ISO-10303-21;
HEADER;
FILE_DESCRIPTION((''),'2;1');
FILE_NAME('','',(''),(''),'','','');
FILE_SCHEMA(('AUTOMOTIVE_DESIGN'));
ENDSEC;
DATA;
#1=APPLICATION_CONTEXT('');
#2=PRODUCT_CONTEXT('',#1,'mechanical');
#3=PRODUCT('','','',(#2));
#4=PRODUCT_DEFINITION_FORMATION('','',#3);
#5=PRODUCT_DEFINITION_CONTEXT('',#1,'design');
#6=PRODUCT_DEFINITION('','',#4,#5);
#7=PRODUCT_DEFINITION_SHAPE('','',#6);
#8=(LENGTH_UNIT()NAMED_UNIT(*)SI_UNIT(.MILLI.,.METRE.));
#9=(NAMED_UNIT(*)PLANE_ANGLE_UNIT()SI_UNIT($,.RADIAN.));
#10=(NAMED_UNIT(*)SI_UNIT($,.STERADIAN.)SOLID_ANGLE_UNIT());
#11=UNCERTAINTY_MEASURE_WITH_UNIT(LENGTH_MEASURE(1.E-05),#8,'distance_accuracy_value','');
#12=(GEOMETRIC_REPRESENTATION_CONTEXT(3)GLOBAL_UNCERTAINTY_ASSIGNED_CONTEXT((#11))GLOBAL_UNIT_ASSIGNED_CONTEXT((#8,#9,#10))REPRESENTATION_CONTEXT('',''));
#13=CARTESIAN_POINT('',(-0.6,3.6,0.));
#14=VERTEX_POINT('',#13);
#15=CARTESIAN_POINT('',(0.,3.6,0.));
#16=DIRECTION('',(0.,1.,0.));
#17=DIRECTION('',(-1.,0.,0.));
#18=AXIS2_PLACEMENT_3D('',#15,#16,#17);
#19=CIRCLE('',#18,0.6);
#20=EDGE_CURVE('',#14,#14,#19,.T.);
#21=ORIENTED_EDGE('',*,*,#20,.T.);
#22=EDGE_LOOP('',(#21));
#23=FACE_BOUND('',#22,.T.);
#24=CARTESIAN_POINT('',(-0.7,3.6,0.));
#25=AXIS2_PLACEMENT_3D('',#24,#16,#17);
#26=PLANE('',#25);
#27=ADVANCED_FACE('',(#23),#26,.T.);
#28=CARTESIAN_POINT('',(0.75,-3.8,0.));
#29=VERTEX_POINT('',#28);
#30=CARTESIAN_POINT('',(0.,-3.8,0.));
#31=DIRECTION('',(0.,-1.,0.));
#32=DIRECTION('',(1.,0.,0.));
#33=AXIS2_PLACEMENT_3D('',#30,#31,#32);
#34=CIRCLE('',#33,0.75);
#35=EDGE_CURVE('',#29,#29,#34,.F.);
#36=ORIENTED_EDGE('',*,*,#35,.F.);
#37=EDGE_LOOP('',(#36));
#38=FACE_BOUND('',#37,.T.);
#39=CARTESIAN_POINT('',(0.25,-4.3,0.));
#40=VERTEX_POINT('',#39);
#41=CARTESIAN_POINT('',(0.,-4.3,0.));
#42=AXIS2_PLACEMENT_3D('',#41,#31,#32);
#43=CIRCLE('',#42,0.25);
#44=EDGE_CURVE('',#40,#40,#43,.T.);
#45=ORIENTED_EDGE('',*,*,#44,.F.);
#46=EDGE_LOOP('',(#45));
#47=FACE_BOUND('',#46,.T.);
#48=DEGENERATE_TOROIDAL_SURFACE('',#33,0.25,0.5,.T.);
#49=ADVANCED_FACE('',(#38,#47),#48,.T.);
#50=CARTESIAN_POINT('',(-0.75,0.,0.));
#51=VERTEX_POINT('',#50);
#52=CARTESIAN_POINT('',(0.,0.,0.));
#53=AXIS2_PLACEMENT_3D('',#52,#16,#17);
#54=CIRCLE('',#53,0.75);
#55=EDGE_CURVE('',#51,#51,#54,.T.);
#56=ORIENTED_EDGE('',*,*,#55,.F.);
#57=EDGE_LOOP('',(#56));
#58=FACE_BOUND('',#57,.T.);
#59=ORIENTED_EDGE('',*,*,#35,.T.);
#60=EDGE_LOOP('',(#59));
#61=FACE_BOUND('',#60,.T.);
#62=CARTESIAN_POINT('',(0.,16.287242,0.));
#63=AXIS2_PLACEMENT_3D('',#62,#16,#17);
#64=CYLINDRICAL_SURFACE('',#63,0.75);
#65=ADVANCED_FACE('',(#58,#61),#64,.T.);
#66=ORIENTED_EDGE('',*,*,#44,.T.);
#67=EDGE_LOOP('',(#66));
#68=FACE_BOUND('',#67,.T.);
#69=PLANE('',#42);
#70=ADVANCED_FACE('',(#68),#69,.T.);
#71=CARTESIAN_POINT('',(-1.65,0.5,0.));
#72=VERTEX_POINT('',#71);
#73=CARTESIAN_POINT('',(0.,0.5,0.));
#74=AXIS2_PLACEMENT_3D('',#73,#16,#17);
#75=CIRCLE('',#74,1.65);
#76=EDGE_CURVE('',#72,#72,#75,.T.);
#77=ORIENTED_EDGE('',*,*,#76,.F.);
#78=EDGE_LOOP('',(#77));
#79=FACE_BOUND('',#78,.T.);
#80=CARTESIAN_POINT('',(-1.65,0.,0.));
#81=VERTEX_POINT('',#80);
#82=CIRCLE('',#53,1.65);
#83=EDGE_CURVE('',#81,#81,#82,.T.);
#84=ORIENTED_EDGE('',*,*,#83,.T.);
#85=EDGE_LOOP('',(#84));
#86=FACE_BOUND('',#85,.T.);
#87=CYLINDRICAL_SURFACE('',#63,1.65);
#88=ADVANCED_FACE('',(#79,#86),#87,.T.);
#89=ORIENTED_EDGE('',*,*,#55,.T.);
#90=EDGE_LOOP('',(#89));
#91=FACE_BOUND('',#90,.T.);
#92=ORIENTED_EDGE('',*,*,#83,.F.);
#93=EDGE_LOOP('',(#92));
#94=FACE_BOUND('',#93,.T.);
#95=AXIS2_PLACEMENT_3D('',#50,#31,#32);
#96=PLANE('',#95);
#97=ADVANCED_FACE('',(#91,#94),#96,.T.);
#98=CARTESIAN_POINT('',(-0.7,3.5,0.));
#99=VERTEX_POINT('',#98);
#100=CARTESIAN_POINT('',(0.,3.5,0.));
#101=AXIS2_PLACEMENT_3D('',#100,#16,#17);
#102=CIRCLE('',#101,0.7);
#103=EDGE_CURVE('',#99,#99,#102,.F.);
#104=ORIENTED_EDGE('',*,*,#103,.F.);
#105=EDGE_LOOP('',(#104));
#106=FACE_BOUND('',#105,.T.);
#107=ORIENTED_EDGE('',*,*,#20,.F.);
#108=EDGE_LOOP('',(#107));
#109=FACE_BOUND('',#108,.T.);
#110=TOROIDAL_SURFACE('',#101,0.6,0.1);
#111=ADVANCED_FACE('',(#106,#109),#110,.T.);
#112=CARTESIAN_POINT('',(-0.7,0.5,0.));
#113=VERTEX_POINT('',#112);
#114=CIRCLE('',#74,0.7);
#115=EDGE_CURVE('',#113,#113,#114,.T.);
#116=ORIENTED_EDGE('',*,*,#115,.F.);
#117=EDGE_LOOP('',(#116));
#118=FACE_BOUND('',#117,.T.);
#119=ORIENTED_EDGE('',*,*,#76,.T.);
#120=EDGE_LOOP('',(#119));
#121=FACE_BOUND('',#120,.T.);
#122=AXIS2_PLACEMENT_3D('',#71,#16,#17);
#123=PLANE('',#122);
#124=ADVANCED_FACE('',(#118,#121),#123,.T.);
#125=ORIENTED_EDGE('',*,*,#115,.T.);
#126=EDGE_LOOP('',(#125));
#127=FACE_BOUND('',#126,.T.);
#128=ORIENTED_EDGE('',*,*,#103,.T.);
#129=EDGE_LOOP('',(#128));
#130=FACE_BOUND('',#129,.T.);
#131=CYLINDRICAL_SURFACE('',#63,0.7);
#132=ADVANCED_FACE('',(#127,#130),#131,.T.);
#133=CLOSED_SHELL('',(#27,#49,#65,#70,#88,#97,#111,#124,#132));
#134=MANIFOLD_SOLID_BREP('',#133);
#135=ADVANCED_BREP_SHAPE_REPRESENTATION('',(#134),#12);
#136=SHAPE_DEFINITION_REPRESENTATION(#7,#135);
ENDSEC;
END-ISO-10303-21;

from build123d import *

# Parameters (mm, degrees)
FILLET_1_R = 0.1
FILLET_2_R = 0.5


with BuildPart() as part:
    # 草图1 → 旋转1 (revolve)
    with BuildSketch(Plane.XY):
        Polygon((0, -4.3), (-0.75, -4.3), (-0.75, 0), (-1.65, 0), (-1.65, 0.5), (-0.7, 0.5), (-0.7, 3.6), (0, 3.6), align=None)
    revolve(axis=Axis((0, 16.287242456, 0), (0, -1, 0)))

    # 圆角1
    fillet_1_edges = [part.edges().sort_by_distance(p)[0] for p in [
        (0.7, 3.6, 0),
    ]]
    fillet(fillet_1_edges, radius=FILLET_1_R)

    # 圆角2
    fillet_2_edges = [part.edges().sort_by_distance(p)[0] for p in [
        (0.75, -4.3, 0),
    ]]
    fillet(fillet_2_edges, radius=FILLET_2_R)


solid = part.part
